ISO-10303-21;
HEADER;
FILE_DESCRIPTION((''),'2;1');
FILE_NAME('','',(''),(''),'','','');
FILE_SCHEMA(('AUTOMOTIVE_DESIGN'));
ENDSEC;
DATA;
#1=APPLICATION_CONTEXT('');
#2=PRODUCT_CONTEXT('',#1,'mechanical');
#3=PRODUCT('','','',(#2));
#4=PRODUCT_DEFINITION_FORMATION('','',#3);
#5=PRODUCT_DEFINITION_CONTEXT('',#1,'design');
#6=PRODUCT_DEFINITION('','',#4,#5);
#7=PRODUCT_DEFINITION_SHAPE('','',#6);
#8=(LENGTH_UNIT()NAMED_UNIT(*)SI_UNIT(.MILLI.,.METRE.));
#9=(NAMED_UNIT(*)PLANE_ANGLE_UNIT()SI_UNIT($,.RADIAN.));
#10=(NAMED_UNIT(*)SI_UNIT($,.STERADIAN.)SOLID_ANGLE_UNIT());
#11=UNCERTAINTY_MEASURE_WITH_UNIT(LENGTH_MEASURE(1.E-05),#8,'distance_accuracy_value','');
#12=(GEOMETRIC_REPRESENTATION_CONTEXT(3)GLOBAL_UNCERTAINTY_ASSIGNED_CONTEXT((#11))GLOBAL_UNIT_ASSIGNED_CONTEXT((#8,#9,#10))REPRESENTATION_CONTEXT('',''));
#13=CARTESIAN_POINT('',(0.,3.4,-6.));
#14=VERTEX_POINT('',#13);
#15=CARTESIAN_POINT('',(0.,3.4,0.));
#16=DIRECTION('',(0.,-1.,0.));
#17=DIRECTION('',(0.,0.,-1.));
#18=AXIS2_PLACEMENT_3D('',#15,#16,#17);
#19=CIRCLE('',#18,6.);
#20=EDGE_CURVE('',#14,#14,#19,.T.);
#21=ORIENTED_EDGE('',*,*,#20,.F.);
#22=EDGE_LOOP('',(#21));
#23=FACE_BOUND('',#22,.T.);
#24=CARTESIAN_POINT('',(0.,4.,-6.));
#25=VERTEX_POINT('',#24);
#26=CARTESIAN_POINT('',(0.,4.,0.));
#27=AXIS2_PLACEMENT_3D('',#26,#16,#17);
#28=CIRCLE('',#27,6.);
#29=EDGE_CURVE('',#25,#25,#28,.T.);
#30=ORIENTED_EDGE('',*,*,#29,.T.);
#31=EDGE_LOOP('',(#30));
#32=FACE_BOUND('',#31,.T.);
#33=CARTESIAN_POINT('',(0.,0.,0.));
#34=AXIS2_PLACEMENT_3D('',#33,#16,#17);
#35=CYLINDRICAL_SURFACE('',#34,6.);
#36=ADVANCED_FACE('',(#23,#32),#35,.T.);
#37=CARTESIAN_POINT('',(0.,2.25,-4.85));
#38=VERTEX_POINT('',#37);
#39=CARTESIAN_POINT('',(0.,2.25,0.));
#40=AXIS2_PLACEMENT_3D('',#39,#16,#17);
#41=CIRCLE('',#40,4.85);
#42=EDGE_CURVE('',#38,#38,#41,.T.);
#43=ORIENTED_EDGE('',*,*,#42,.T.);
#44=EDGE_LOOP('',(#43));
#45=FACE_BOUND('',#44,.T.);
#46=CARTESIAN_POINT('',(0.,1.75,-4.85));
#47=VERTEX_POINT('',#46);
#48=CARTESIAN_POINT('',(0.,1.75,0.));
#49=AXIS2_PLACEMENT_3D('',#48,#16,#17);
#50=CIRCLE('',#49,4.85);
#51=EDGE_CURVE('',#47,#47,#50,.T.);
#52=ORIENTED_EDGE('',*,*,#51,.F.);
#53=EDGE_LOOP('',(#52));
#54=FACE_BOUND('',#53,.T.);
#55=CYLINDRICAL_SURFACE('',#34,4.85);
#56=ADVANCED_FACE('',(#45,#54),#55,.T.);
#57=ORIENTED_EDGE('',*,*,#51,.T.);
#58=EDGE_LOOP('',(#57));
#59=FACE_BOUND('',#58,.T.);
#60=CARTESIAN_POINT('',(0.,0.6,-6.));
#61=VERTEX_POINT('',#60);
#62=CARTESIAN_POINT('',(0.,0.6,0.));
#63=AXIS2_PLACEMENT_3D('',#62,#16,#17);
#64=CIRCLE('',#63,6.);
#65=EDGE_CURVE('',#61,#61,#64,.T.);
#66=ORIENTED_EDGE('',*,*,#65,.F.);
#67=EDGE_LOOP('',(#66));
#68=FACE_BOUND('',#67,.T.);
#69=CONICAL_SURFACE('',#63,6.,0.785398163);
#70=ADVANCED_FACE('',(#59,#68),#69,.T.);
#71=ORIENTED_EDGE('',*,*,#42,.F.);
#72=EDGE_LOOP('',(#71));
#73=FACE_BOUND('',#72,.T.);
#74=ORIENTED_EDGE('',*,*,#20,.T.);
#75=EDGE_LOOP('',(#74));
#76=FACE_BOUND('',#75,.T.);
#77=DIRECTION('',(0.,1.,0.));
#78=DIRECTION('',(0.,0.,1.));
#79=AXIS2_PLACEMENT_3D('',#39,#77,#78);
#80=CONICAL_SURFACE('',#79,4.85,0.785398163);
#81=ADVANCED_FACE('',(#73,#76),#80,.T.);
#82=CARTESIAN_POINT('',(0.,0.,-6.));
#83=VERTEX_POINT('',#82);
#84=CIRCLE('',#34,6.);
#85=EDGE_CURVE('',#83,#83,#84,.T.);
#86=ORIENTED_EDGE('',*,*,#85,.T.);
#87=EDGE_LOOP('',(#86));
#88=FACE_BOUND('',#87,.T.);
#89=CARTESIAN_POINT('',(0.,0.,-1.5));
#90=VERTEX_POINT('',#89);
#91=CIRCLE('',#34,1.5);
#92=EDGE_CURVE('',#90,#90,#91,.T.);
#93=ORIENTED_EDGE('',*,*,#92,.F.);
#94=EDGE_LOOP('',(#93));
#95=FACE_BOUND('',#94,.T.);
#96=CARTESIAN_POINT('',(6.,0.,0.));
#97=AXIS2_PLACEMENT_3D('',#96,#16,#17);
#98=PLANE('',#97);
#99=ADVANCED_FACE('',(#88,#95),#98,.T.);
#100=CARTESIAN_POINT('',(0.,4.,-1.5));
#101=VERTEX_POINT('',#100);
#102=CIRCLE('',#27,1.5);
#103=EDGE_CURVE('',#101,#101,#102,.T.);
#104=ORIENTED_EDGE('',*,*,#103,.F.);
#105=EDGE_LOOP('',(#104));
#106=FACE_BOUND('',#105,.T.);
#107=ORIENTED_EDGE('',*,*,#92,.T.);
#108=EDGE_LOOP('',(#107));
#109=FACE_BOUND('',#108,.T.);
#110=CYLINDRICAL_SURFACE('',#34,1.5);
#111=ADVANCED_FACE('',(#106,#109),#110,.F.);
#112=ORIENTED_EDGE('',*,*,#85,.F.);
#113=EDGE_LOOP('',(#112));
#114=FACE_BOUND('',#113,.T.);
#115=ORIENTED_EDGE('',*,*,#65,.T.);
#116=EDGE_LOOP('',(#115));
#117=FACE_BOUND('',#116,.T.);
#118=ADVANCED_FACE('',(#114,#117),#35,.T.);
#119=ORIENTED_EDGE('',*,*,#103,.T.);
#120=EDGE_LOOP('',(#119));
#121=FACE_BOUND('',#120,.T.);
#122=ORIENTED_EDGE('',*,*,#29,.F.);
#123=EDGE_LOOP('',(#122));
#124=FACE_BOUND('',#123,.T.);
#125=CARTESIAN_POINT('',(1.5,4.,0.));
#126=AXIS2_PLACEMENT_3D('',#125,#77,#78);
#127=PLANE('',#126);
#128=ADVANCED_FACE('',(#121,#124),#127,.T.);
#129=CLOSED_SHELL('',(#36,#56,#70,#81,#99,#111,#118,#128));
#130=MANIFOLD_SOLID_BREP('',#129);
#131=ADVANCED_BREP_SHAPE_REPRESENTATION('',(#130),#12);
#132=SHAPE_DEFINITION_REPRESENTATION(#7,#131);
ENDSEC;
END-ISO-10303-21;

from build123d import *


with BuildPart() as part:
    # Esboço1 → Revolução1 (revolve)
    with BuildSketch(Plane.XY):
        Polygon((1.5, 0), (1.5, 4), (6, 4), (6, 3.4), (4.85, 2.25), (4.85, 1.75), (6, 0.6), (6, 0), align=None)
    revolve(axis=Axis((0, 0, 0), (0, 1, 0)))


solid = part.part
